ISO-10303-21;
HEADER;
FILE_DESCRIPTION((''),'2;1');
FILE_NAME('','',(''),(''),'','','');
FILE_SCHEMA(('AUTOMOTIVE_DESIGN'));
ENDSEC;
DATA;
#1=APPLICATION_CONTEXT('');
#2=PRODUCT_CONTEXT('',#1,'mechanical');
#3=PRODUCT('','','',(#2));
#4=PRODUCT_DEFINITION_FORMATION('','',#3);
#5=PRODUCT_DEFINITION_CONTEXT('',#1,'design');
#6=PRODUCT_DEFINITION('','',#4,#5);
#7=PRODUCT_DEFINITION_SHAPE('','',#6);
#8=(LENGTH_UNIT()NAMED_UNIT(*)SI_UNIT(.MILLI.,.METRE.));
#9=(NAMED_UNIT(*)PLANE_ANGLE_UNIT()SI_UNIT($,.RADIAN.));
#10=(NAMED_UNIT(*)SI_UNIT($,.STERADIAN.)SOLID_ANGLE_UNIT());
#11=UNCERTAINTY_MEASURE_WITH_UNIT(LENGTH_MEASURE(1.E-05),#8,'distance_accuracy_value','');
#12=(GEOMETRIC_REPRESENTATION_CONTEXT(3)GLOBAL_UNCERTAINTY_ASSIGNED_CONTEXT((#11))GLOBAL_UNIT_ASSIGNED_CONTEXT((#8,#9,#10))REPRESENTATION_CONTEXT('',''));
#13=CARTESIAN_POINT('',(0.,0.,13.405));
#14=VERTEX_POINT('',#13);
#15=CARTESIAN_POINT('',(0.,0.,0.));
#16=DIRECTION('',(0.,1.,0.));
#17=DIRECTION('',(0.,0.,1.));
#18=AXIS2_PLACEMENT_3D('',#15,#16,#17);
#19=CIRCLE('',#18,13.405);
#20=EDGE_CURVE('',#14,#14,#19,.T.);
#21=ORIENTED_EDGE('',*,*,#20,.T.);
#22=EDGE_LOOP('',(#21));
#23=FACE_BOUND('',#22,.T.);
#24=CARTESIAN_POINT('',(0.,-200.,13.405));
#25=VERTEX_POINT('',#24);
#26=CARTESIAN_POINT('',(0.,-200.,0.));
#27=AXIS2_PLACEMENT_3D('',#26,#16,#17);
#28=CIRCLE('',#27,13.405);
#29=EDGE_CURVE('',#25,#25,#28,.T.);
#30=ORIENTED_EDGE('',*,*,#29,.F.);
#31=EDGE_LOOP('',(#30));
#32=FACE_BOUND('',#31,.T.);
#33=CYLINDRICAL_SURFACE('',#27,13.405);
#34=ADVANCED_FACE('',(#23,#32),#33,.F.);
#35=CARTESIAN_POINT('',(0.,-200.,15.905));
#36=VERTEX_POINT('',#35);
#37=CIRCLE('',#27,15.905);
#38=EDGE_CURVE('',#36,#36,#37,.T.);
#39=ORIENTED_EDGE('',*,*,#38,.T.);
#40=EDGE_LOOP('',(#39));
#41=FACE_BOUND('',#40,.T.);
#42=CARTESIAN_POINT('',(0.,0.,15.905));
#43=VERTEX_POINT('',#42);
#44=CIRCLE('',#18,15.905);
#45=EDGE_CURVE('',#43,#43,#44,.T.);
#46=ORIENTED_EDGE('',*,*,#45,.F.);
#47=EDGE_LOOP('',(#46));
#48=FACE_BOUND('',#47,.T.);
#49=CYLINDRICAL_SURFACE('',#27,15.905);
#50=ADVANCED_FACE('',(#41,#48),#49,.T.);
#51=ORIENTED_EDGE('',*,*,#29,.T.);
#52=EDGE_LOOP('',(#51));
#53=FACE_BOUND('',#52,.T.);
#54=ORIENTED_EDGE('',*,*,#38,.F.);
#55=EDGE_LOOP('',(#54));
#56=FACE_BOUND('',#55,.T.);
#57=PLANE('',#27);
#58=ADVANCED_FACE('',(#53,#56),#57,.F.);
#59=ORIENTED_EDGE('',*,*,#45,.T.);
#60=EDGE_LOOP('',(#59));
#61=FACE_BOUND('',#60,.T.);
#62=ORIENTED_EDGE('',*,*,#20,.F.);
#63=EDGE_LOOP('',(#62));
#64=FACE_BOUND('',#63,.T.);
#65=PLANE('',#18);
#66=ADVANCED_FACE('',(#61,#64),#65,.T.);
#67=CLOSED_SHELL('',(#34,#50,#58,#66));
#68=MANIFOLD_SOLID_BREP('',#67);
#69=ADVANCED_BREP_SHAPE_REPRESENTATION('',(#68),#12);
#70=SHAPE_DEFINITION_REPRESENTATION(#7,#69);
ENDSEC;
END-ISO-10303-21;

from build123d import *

# Parameters (mm, degrees)
SKETCH1_R           = 15.905
SKETCH1_R_2         = 13.405
BOSS_EXTRUDE1_DEPTH = 200


with BuildPart() as part:
    # Sketch1 → Boss-Extrude1 (new body)
    with BuildSketch(Plane(origin=(0, 0, 0), x_dir=(1, 0, 0), z_dir=(0, 1, 0))):
        with Locations(Location((0, 0, 0), (0, 0, 270))):
            Circle(SKETCH1_R)
        with Locations(Location((0, 0, 0), (0, 0, 270))):
            Circle(SKETCH1_R_2, mode=Mode.SUBTRACT)
    extrude(amount=-BOSS_EXTRUDE1_DEPTH)


solid = part.part
